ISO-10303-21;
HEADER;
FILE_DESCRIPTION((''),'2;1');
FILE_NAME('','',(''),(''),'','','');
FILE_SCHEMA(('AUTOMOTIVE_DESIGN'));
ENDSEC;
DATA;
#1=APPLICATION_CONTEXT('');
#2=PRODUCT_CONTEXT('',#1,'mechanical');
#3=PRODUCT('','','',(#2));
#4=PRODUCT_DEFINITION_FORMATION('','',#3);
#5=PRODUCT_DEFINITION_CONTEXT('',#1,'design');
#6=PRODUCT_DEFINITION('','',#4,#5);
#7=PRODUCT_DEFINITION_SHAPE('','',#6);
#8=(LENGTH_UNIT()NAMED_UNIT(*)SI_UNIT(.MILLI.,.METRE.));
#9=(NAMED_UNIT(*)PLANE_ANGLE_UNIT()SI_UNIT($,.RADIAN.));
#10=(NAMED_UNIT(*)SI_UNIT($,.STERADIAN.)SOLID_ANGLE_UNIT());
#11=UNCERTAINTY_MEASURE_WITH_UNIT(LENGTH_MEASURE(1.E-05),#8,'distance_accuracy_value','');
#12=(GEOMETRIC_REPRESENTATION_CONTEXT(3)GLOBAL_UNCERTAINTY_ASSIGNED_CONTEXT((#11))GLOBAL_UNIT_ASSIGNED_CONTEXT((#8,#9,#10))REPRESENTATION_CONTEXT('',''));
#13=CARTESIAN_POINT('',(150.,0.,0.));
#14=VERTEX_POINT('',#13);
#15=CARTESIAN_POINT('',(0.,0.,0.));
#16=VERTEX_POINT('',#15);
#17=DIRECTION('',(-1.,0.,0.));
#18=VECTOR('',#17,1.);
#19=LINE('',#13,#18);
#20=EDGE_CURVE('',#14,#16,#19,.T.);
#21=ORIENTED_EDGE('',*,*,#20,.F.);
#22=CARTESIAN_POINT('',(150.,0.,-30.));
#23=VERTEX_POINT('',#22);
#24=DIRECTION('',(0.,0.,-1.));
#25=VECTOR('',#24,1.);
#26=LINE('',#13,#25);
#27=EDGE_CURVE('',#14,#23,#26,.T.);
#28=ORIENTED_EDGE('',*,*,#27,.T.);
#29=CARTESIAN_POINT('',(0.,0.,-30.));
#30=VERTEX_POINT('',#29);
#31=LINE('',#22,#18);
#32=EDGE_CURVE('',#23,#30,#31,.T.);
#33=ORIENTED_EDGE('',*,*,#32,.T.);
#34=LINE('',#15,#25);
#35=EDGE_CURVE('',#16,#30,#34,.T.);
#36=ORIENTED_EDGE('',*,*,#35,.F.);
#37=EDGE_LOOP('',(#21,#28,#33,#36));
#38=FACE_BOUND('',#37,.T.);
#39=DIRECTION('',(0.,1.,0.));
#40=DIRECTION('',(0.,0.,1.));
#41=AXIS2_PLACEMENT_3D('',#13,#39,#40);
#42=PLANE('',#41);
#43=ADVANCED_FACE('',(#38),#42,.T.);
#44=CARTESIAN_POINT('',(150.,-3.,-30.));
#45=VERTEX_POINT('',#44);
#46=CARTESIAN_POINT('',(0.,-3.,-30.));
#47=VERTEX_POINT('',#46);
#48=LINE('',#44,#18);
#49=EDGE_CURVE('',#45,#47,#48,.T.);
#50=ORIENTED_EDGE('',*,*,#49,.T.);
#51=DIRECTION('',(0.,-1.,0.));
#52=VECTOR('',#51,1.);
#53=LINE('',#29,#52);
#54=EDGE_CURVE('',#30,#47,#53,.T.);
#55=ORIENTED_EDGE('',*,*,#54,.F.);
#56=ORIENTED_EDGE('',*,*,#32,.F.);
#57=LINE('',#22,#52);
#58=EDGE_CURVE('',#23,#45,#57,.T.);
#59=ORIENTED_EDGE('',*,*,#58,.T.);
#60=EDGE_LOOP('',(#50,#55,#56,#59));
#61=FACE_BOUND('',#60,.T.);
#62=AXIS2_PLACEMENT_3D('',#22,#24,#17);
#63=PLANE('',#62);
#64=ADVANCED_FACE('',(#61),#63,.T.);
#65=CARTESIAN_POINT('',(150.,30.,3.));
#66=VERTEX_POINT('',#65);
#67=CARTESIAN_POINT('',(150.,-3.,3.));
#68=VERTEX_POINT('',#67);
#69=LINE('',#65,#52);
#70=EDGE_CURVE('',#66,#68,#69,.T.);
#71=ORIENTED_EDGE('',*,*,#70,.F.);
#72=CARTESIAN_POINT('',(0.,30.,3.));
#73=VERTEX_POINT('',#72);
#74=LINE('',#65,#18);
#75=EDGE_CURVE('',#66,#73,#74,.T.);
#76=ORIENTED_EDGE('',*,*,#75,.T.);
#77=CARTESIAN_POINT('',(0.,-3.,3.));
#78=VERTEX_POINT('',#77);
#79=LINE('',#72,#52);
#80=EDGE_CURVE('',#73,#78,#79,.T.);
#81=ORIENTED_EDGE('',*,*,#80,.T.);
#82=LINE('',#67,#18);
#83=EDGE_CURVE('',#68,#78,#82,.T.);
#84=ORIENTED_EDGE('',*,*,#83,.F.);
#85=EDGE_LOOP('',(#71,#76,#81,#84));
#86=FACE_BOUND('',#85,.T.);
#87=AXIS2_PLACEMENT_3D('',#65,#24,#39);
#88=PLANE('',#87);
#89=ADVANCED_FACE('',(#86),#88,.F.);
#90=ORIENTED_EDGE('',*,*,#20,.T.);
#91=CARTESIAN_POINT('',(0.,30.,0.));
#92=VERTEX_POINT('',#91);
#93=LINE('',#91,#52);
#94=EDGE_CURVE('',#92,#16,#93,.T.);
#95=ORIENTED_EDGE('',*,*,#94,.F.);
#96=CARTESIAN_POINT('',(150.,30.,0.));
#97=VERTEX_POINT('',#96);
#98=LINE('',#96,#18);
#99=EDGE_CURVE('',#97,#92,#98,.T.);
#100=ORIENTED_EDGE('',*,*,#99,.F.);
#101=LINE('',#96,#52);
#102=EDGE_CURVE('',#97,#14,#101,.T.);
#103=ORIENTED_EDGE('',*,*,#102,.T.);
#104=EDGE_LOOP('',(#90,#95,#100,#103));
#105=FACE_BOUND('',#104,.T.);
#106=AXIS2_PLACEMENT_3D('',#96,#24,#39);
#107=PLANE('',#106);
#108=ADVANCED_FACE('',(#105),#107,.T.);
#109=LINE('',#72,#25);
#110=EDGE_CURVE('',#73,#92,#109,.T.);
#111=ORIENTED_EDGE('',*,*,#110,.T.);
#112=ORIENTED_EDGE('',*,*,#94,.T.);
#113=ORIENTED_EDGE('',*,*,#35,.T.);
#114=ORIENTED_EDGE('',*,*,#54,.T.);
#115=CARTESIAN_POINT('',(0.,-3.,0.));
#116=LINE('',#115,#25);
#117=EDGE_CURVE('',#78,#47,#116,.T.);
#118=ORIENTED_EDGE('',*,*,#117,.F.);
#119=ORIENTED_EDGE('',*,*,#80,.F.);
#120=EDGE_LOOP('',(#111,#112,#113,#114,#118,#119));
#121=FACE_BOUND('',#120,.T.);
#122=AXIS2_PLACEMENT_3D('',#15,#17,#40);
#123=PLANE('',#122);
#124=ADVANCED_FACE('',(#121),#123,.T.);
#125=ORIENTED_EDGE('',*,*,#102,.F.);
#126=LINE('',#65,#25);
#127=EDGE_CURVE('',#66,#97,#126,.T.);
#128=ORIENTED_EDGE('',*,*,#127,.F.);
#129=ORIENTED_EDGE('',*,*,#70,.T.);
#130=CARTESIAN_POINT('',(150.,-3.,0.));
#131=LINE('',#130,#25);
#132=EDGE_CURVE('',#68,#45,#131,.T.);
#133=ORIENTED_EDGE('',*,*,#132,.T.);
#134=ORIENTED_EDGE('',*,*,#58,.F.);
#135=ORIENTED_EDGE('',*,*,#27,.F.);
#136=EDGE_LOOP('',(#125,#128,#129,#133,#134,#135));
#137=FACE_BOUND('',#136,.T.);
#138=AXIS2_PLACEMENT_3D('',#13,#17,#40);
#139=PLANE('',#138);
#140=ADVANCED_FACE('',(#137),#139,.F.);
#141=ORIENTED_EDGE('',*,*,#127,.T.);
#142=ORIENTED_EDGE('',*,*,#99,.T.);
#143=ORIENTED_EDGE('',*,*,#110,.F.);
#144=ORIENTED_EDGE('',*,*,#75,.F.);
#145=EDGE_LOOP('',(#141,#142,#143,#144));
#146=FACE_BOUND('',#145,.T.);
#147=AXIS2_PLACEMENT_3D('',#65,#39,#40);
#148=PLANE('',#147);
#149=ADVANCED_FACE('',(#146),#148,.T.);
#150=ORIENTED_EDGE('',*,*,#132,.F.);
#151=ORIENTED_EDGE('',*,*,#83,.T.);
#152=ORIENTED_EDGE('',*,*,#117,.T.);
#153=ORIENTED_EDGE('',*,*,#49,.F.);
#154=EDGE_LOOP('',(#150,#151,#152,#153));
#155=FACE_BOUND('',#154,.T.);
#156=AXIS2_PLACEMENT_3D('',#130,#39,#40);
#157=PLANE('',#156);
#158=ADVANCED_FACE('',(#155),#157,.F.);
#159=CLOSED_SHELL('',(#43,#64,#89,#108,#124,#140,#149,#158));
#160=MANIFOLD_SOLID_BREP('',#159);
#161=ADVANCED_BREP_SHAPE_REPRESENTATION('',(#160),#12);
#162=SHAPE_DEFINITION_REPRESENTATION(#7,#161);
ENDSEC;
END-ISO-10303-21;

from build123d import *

# Parameters (mm, degrees)
EXTRUDE_1_DEPTH = 150


with BuildPart() as part:
    # Эскиз1 → Вытянуть-Тонкостенный1 (new body)
    with BuildSketch(Plane(origin=(0, 0, 0), x_dir=(0, 0, -1), z_dir=(1, 0, 0))):
        Polygon((0, 30), (0, 0), (30, 0), (30, -3), (-3, -3), (-3, 30), align=None)
    extrude(amount=EXTRUDE_1_DEPTH)


solid = part.part
